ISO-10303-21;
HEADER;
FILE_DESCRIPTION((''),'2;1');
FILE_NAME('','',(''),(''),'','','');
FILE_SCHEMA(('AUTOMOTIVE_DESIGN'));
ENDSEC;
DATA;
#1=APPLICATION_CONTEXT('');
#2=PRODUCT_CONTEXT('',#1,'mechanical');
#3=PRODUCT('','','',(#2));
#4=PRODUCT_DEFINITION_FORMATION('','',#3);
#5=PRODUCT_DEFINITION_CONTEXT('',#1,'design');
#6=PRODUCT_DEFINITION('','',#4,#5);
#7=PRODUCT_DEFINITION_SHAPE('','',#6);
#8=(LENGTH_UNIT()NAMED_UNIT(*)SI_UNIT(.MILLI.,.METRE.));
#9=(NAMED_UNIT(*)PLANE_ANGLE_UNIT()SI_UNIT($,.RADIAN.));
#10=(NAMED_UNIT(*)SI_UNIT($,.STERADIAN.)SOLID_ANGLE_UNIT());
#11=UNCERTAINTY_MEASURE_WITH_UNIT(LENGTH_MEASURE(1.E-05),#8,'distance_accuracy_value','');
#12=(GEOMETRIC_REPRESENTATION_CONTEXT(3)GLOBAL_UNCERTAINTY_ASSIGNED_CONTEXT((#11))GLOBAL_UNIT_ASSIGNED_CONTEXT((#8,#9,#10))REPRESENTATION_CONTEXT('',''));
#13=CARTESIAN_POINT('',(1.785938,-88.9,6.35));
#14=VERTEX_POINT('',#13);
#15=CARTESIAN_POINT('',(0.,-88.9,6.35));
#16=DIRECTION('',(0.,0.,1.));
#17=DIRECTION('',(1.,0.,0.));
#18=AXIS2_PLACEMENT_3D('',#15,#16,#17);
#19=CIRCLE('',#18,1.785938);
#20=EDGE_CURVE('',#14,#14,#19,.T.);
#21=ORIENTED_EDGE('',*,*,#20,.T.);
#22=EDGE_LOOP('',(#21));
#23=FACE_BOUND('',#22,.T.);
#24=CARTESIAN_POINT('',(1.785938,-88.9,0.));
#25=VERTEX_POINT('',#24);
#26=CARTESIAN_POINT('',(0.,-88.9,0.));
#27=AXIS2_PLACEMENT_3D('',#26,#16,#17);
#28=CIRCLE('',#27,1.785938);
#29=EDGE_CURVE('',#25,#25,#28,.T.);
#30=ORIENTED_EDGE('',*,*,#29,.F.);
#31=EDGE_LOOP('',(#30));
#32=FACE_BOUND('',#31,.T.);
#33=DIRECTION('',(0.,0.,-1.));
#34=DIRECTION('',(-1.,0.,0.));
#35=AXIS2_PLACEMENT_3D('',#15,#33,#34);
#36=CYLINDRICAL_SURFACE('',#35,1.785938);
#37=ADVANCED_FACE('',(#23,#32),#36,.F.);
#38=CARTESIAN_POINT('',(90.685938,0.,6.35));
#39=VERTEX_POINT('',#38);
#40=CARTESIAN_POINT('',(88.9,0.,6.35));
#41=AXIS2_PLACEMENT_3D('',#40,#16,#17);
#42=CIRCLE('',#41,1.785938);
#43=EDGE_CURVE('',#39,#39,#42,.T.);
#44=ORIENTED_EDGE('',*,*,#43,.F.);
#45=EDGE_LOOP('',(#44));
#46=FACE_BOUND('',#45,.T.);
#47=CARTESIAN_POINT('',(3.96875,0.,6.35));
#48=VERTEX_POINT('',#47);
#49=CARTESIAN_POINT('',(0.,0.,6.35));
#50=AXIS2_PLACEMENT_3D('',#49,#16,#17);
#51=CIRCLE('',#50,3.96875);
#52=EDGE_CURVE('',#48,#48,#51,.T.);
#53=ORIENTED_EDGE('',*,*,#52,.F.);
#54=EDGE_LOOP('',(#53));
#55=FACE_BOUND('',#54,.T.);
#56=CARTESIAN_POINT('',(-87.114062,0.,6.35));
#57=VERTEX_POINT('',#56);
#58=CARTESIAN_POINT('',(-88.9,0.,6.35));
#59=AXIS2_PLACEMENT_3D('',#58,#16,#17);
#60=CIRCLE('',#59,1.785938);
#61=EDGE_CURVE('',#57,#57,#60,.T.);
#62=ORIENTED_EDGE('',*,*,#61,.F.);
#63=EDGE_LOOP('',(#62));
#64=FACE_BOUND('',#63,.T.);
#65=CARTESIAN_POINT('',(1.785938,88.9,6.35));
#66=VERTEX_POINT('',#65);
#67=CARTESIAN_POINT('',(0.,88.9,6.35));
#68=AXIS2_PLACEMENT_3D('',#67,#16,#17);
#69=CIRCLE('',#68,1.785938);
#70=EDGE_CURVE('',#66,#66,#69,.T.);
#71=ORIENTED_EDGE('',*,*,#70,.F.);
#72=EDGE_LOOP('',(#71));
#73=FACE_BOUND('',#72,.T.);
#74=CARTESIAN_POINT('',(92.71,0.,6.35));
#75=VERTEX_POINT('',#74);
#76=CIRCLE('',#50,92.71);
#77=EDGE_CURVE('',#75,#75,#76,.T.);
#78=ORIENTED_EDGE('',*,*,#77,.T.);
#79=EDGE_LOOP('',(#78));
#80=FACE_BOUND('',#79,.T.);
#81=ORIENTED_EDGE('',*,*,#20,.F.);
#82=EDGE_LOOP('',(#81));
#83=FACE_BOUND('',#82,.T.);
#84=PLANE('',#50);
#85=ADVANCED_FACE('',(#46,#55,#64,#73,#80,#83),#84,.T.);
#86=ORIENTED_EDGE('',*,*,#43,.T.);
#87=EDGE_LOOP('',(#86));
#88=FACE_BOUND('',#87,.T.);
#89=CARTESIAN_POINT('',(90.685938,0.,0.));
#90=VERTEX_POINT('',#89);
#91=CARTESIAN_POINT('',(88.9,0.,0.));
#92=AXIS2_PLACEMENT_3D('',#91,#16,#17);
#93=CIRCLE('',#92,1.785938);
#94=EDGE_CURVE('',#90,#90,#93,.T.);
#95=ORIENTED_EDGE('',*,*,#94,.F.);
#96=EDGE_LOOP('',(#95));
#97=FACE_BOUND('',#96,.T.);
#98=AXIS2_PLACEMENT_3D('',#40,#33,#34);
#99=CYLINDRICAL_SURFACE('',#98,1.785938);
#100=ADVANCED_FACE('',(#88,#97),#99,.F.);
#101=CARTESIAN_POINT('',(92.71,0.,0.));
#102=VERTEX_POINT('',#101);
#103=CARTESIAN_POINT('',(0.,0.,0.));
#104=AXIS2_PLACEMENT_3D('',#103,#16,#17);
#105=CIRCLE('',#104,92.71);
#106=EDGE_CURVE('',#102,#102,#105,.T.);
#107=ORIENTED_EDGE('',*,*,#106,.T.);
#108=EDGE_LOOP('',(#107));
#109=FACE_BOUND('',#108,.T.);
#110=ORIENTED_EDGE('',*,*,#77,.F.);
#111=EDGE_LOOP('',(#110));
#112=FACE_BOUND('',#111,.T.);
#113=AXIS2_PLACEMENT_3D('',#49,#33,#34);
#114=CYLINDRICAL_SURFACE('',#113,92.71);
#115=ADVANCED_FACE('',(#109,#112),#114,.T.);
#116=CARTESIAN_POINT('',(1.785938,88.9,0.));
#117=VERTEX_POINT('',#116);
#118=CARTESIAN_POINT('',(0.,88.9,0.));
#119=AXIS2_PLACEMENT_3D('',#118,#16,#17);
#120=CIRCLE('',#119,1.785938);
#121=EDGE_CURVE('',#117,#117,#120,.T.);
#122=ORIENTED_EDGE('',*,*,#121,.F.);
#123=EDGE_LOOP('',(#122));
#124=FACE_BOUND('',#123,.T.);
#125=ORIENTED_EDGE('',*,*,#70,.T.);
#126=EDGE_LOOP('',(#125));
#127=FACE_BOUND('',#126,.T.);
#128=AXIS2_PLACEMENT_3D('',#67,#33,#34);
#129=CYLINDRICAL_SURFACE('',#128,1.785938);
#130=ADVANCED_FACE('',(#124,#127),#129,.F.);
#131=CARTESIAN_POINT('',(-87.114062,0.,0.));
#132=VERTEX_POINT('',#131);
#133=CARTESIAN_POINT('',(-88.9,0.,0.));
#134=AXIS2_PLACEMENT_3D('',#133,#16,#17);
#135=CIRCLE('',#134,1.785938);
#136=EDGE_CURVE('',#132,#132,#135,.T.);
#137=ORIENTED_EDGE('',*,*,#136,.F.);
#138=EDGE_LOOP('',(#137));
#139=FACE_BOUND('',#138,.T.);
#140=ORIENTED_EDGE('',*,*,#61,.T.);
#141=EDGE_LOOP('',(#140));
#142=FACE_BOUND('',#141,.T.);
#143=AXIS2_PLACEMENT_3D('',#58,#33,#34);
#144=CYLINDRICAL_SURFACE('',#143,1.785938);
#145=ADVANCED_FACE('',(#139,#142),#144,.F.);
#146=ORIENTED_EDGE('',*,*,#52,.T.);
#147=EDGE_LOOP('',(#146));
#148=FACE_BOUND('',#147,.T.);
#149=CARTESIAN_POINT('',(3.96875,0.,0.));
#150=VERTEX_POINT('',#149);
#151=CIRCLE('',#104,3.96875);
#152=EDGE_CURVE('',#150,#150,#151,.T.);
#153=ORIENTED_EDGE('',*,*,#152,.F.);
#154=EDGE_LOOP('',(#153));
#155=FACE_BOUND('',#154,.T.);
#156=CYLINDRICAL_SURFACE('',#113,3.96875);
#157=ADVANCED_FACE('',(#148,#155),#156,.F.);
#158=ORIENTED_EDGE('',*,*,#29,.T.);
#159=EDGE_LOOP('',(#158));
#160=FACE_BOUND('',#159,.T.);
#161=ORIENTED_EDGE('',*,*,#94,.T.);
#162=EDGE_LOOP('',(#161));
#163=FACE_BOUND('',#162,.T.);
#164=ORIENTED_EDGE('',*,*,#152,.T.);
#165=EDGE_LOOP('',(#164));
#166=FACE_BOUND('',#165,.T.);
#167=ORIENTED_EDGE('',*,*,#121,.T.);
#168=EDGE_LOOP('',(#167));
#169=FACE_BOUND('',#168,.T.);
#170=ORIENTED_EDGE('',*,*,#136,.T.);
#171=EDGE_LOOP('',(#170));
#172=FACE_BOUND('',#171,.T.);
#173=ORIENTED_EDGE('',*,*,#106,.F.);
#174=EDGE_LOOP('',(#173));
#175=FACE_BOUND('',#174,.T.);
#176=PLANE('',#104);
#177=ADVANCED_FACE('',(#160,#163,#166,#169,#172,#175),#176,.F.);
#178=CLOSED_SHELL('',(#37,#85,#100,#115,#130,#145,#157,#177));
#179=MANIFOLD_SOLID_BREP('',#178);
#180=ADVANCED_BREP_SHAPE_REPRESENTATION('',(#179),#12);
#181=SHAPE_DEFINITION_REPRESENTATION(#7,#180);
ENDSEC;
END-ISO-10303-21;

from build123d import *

# Parameters (mm, degrees)
SKETCH1_R           = 92.71
SKETCH1_R_2         = 3.96875
SKETCH1_R_3         = 1.7859375
BOSS_EXTRUDE1_DEPTH = 6.35


with BuildPart() as part:
    # Sketch1 → Boss-Extrude1 (new body)
    with BuildSketch(Plane.XY):
        Circle(SKETCH1_R)
        Circle(SKETCH1_R_2, mode=Mode.SUBTRACT)
        with Locations((0, 88.9)):
            Circle(SKETCH1_R_3, mode=Mode.SUBTRACT)
        with Locations((88.9, 0)):
            Circle(SKETCH1_R_3, mode=Mode.SUBTRACT)
        with Locations((0, -88.9)):
            Circle(SKETCH1_R_3, mode=Mode.SUBTRACT)
        with Locations((-88.9, 0)):
            Circle(SKETCH1_R_3, mode=Mode.SUBTRACT)
    extrude(amount=BOSS_EXTRUDE1_DEPTH)


solid = part.part
